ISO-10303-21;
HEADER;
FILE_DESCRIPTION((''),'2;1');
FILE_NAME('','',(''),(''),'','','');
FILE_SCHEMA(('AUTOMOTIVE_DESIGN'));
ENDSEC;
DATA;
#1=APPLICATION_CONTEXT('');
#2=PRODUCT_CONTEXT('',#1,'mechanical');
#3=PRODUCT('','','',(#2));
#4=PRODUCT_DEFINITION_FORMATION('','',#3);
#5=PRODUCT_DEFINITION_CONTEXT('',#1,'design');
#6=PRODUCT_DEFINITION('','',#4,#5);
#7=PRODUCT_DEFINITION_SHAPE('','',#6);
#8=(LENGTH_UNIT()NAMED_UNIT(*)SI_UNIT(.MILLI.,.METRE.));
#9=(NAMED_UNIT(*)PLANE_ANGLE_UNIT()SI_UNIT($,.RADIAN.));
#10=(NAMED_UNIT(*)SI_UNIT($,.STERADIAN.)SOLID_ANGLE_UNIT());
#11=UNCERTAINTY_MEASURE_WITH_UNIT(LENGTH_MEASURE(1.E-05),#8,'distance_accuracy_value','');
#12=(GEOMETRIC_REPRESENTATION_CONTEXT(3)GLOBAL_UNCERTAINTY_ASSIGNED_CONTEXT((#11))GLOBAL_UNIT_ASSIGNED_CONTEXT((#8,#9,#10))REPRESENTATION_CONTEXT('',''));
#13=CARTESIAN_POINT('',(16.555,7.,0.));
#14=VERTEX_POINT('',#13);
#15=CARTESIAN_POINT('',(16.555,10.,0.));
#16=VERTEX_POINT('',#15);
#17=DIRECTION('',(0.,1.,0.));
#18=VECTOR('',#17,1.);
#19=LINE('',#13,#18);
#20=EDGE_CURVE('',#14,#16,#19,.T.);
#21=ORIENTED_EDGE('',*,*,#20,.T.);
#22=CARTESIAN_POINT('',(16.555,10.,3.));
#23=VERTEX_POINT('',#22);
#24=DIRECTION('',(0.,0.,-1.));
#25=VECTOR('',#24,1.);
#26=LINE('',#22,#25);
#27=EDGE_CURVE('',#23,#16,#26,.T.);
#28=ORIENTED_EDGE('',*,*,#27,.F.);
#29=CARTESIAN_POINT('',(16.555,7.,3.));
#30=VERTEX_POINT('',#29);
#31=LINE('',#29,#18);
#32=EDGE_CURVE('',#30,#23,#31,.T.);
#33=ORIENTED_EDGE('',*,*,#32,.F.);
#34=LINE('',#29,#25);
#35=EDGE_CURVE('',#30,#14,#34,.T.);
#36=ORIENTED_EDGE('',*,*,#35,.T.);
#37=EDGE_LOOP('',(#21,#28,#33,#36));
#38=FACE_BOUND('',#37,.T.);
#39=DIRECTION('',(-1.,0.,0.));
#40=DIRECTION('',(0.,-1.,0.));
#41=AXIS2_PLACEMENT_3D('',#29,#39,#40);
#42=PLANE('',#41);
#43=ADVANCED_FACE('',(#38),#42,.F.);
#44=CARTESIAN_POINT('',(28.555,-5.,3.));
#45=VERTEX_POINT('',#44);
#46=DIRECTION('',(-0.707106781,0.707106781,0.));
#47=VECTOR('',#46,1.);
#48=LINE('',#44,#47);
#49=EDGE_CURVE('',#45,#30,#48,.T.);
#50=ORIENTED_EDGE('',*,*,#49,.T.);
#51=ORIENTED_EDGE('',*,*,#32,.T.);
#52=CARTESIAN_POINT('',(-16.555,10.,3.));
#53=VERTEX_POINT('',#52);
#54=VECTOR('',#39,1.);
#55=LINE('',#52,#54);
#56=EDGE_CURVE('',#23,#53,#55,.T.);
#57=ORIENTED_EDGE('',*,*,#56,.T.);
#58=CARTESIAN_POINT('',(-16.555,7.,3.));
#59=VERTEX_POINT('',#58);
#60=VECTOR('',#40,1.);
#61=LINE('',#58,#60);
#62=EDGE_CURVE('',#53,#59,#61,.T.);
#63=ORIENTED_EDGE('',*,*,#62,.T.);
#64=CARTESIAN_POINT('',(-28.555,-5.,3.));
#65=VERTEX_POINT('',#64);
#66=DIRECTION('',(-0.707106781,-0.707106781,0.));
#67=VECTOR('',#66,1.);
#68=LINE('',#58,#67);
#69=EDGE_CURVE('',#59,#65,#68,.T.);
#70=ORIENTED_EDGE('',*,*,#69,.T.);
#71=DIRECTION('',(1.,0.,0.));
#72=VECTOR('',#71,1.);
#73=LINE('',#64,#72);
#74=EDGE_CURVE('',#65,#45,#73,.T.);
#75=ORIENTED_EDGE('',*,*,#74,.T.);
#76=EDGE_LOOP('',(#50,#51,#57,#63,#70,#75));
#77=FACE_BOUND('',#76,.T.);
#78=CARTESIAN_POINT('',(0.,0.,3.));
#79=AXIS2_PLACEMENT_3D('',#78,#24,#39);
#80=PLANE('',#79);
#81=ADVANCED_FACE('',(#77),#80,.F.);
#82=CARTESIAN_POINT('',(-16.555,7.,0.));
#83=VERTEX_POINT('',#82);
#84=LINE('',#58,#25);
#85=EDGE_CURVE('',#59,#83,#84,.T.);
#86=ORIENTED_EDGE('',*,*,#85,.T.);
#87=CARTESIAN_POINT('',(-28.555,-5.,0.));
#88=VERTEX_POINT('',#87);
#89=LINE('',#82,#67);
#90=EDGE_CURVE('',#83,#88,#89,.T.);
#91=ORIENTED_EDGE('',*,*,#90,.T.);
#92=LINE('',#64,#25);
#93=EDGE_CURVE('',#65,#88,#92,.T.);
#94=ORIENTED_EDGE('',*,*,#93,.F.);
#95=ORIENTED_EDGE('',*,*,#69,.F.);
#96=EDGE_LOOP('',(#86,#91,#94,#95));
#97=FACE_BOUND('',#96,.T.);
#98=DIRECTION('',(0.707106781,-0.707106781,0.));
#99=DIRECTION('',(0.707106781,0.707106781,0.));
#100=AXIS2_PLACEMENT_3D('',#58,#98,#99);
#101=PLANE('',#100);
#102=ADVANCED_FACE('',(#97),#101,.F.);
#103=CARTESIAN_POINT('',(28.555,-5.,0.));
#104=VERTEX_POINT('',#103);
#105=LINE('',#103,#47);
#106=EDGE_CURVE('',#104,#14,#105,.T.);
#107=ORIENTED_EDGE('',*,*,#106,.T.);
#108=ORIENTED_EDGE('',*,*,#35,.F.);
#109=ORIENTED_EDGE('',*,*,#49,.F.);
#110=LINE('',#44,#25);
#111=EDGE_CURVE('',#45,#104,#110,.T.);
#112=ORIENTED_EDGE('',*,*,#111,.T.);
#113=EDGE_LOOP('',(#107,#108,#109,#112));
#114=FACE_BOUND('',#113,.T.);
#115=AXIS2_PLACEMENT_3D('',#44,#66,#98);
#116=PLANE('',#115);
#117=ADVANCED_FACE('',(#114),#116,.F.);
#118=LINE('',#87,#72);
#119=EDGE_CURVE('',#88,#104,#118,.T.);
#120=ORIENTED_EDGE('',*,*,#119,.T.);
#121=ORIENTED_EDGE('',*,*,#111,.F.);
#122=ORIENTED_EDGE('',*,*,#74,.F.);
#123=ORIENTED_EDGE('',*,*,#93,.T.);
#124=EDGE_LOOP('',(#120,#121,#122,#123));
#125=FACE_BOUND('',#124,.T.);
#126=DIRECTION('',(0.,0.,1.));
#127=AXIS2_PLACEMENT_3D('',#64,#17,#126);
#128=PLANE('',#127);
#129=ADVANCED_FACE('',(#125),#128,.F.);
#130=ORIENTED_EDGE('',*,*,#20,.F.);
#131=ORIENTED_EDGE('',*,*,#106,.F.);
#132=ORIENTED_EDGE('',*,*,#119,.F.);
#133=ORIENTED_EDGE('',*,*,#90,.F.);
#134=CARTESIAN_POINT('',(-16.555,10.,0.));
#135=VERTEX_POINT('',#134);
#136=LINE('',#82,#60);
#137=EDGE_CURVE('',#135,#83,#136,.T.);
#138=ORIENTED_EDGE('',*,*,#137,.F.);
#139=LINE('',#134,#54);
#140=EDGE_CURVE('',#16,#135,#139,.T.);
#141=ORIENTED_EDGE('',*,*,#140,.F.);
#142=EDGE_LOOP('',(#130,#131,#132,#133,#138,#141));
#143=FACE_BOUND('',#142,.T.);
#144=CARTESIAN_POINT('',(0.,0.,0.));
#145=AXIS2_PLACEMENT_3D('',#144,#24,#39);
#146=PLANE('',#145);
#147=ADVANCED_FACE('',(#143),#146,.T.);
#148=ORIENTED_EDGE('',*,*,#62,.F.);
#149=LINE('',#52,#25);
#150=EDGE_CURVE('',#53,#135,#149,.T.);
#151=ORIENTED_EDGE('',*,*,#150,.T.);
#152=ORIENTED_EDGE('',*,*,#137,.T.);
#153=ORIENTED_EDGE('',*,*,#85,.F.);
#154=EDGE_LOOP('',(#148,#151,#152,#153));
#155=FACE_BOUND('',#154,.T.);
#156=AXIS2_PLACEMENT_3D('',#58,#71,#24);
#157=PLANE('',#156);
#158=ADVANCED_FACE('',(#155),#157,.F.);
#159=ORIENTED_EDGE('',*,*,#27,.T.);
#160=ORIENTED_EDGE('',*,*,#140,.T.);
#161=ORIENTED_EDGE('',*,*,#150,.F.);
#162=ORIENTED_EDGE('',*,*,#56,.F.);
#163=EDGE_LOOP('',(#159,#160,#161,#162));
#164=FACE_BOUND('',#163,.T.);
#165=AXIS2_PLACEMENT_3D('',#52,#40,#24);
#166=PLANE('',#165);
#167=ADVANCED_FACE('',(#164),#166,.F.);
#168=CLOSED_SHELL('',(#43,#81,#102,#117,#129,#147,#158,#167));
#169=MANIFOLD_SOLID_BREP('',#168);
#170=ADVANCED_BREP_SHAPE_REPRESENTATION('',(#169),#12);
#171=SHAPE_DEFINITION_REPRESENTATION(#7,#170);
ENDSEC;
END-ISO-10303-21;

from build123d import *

# Parameters (mm, degrees)
SALIENTE_EXTRUIR1_DEPTH = 3


with BuildPart() as part:
    # Croquis1 → Saliente-Extruir1 (new body)
    with BuildSketch(Plane.XY):
        Polygon((-16.555, 7), (-28.555, -5), (28.555, -5), (16.555, 7), (16.555, 10), (-16.555, 10), align=None)
    extrude(amount=SALIENTE_EXTRUIR1_DEPTH)


solid = part.part
